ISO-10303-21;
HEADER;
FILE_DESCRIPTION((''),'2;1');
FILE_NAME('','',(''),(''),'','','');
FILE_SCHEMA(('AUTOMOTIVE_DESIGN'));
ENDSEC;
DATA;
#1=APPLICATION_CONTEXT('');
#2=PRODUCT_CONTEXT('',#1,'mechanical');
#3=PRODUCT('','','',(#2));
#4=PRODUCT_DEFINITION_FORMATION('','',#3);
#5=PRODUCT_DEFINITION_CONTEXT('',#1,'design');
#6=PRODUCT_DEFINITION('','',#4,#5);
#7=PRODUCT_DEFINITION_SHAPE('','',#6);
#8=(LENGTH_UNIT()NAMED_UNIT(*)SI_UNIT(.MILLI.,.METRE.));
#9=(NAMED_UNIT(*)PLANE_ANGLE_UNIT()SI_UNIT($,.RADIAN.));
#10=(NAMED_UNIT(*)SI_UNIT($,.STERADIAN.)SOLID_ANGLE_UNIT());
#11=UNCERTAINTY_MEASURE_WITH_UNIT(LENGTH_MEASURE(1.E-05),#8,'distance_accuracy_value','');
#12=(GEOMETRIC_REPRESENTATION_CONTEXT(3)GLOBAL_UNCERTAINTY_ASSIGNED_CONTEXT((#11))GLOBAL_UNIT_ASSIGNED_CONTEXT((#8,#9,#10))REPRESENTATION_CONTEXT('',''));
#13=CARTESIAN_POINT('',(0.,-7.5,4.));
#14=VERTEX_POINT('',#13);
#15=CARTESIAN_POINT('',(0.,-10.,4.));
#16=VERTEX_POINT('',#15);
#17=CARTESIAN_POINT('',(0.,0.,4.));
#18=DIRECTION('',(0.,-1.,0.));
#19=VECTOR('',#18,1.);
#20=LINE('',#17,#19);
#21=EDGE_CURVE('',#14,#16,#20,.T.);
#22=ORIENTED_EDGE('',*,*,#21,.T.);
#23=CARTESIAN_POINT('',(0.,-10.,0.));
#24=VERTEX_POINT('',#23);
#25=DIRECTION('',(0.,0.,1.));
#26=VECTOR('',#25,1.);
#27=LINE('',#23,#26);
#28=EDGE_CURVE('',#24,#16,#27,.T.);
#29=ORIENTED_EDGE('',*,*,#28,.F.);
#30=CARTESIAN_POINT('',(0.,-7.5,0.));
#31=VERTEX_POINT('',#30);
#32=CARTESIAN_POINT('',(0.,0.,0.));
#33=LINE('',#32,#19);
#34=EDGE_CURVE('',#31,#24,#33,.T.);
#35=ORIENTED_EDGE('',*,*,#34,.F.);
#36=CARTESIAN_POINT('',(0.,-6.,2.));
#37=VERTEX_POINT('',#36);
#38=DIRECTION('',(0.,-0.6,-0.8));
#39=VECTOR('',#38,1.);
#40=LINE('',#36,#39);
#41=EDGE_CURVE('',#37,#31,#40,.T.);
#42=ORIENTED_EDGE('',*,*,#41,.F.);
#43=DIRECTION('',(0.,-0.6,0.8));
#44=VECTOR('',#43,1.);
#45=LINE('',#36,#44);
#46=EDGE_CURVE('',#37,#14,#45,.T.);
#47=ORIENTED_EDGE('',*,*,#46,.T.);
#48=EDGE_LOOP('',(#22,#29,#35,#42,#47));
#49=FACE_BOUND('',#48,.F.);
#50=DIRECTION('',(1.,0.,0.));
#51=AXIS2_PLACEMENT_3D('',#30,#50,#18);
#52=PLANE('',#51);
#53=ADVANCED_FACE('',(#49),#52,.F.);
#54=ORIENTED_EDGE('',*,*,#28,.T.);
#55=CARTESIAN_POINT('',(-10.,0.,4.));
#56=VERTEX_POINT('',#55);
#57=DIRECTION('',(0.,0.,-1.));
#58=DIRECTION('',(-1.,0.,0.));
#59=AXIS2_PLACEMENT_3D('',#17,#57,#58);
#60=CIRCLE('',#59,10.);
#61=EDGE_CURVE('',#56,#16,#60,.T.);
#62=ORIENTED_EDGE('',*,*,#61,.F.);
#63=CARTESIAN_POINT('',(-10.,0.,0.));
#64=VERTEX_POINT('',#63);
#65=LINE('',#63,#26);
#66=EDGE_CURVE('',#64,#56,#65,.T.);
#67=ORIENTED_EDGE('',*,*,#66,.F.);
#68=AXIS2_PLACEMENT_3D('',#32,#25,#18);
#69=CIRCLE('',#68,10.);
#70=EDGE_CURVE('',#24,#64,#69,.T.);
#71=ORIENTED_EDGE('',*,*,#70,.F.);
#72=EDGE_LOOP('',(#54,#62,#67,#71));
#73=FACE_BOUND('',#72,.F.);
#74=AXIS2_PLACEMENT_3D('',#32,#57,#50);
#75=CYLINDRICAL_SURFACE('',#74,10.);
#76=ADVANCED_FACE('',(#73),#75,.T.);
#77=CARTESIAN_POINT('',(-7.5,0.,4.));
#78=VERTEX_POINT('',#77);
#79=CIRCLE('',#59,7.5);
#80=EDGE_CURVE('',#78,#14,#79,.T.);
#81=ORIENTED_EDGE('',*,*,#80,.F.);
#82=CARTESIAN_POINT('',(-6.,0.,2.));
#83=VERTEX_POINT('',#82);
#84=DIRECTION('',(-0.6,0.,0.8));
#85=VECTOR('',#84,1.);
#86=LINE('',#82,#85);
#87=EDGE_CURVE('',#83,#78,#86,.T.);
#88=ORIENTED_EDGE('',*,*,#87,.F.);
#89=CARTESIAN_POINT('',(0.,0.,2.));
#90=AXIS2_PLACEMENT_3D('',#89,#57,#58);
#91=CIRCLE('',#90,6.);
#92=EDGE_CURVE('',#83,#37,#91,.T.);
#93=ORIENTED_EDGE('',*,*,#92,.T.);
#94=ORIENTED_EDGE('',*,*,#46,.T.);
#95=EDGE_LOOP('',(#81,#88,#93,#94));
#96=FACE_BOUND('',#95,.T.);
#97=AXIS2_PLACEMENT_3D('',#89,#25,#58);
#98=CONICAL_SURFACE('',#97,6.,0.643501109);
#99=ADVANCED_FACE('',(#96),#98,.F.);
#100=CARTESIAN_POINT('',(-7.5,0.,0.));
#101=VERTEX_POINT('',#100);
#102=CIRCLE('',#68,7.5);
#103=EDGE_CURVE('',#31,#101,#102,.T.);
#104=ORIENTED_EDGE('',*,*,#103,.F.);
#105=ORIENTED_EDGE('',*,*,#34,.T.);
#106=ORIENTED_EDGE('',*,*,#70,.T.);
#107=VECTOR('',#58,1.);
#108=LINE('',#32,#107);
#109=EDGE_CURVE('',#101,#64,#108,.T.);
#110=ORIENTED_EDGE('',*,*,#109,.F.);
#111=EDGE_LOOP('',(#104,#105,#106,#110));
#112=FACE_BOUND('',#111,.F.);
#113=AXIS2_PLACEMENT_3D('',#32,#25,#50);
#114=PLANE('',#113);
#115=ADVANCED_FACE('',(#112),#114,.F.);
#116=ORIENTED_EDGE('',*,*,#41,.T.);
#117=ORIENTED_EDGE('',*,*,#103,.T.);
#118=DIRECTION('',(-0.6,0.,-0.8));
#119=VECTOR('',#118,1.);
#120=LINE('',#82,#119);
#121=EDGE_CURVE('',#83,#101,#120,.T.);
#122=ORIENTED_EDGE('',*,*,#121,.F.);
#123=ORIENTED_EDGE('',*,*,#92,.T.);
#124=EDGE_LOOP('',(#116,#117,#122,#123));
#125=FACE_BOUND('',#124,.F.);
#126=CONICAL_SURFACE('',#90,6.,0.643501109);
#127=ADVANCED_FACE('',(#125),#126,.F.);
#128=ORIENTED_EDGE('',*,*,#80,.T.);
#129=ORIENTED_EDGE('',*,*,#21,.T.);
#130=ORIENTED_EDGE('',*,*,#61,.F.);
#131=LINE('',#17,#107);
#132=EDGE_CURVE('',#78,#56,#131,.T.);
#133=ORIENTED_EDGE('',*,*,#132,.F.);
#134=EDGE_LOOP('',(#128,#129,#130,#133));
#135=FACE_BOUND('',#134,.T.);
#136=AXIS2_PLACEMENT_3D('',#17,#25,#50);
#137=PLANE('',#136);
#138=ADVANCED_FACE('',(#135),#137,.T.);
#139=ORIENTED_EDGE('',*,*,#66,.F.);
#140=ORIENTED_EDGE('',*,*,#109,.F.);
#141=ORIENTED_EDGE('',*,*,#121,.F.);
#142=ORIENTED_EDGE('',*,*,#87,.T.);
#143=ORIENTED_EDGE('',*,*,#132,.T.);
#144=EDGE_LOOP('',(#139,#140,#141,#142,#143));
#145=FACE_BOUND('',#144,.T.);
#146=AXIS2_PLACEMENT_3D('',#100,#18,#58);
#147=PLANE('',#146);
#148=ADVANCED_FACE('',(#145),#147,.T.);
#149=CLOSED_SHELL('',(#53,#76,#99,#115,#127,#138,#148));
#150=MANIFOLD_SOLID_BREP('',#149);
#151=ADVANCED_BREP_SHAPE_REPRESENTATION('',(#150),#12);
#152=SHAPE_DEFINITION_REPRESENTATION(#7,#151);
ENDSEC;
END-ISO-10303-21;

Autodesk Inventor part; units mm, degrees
ref_plane "YZ Plane" through (0, 0, 0) normal (1, 0, 0) x (0, 1, 0)
ref_plane "XZ Plane" through (0, 0, 0) normal (0, 1, 0) x (-1, 0, 0)
ref_plane "XY Plane" through (0, 0, 0) normal (0, 0, 1) x (1, 0, 0)
sketch "Skizze1" plane through (0, 0, 0) normal (0, 0, 1) x (1, 0, 0)
  circle A0 centre (0, 0) radius 7.5
  circle A1 centre (0, 0) radius 10
  line L0 (0, 0) -> (-10, 0)
  line L1 (0, 0) -> (0, -10)
  point P0 (0, -7.5)
  point P1 (-7.5, 0)
  dimension "d0" = 15
  dimension "d1" = 20
extrude "Extrusion1" add sketch "Skizze1" along normal blind 4 contours A0 L0 A1 L1 picked at (-8.9972, 1.396)
sketch "Skizze2" plane through (-10, 0, 0) normal (0, -1, 0) x (1, 0, 0)
  line L0 (2.5, 0) -> (2.5, 4) construction
  line L1 (2.5, 2) -> (4, 2) construction
  line L2 (4, 2) -> (2.5, 4)
  line L3 (20, 4) -> (0, 4) projected
  line L4 (4, 2) -> (2.5, 0)
  line L5 (2.5, 0) -> (2.5, 4)
  line L6 (10, -0.8) -> (10, 4.8) projected
  point P0 (10, 0)
  point P1 (10, 4)
  dimension "d4" = 1.5
revolve "Umdrehung1" add sketch "Skizze2" angle 270 about axis through (0, 0, -10) along (0, 0, -1)
properties part number "C-ClipV1"
